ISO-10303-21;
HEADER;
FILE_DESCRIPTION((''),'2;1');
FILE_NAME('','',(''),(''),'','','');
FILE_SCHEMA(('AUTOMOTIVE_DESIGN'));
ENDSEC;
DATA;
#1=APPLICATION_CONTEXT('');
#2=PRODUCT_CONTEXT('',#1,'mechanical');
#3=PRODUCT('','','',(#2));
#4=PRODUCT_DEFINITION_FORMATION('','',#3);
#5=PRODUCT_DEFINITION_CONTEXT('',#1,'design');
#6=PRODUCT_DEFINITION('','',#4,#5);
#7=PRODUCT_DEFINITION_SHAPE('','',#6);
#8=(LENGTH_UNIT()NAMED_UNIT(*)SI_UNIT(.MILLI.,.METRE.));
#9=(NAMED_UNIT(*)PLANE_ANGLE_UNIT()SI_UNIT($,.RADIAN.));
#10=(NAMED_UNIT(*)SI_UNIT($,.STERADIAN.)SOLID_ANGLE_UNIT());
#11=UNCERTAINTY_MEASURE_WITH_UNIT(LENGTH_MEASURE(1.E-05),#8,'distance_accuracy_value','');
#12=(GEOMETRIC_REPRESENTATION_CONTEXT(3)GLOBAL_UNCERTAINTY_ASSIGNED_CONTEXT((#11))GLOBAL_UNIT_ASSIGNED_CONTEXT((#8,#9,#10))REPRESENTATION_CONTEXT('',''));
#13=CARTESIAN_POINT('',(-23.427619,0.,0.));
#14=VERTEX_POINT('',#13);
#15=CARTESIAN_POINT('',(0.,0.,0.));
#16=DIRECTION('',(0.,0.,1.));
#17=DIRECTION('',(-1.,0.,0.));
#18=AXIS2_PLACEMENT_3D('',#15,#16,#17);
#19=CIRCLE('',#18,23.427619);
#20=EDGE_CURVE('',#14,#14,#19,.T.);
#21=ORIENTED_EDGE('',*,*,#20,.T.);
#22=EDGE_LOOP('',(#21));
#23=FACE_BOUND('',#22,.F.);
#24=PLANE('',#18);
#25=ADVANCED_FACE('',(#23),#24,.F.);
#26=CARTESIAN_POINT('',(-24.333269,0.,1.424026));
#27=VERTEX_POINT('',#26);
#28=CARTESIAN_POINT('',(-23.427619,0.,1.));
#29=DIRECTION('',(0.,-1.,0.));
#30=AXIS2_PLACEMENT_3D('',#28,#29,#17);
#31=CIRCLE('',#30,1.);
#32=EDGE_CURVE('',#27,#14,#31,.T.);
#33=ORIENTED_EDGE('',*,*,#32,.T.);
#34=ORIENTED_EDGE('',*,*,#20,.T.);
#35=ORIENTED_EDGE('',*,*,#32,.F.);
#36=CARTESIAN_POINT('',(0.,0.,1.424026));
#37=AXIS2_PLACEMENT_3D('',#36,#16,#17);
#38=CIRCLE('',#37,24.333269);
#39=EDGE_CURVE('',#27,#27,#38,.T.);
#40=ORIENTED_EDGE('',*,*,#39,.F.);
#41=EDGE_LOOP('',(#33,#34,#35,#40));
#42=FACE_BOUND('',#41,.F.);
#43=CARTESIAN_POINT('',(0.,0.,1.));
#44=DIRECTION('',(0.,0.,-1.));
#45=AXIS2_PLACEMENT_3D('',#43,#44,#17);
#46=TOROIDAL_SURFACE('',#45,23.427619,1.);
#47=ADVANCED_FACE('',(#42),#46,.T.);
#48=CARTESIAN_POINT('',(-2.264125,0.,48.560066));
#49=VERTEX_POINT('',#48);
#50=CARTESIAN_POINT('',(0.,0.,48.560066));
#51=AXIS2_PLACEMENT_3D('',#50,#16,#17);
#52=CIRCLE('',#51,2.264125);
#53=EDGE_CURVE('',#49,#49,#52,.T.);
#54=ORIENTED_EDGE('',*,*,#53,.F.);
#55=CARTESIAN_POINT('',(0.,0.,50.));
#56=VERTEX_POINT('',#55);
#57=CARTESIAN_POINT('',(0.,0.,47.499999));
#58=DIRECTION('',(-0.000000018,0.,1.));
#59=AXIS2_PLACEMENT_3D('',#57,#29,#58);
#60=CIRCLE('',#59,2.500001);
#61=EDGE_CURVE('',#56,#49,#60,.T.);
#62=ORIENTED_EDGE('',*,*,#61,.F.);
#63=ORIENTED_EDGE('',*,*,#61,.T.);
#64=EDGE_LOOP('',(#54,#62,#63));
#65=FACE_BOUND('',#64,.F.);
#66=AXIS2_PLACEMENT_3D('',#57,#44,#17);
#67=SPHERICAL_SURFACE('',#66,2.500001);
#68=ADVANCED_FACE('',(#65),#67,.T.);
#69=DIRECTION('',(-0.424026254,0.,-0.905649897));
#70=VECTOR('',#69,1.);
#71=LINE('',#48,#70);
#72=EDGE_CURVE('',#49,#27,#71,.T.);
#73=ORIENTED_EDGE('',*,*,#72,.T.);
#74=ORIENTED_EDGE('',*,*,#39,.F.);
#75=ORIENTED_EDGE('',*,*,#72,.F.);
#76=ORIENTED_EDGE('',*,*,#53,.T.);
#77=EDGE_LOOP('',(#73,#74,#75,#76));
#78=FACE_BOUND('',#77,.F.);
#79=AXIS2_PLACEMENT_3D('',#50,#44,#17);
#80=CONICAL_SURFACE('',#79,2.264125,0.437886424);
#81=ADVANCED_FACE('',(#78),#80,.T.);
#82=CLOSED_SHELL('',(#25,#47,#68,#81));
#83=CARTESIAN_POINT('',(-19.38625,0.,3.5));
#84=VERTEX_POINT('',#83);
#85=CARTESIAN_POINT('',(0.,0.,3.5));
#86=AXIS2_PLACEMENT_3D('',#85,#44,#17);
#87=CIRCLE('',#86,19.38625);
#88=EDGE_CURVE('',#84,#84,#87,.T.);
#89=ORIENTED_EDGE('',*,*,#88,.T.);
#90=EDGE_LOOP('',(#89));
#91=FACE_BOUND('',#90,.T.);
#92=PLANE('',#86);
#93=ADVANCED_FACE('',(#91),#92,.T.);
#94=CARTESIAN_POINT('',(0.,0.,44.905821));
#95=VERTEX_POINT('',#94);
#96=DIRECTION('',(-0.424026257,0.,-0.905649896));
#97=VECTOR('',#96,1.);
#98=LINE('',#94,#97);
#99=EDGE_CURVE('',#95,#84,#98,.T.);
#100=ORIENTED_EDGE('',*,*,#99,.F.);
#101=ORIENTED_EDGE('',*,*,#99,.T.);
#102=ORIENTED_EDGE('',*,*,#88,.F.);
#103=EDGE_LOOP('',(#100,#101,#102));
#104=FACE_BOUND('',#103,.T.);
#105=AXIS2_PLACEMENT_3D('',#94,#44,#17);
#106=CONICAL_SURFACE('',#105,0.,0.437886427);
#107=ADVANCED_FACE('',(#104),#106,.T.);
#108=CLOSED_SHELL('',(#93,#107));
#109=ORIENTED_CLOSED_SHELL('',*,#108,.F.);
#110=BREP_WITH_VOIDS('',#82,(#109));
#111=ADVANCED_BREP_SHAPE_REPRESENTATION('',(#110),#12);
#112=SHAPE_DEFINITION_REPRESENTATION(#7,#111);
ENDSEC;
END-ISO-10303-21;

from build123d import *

# Parameters (mm, degrees)
F2_R = 1


with BuildPart() as f1:
    # F0 (on Front) → F1 (revolve)
    with BuildSketch(Plane.XZ):
        with BuildLine():
            ThreePointArc((0, 50), (-1.34161, 49.609522), (-2.264125, 48.560066))
            Line((-2.264125, 48.560066), (-25, 0))
            Line((-25, 0), (0, 0))
            Line((0, 0), (0, 50))
        make_face()
    revolve(axis=Axis((0, 0, 26.697931), (0, 0, 1)))

    # F2
    f2_edges = [f1.edges().sort_by_distance(p)[0] for p in [
        (25, 0, 0),
    ]]
    fillet(f2_edges, radius=F2_R)

    # F3 (on Front) → F4 (revolve, cut)
    with BuildSketch(Plane.XZ):
        Polygon((0, 3.5), (0, 44.905821), (-19.38625, 3.5), align=None)
    revolve(axis=Axis((0, 0, 24.883967), (0, 0, -1)), mode=Mode.SUBTRACT)


solid = f1.part
